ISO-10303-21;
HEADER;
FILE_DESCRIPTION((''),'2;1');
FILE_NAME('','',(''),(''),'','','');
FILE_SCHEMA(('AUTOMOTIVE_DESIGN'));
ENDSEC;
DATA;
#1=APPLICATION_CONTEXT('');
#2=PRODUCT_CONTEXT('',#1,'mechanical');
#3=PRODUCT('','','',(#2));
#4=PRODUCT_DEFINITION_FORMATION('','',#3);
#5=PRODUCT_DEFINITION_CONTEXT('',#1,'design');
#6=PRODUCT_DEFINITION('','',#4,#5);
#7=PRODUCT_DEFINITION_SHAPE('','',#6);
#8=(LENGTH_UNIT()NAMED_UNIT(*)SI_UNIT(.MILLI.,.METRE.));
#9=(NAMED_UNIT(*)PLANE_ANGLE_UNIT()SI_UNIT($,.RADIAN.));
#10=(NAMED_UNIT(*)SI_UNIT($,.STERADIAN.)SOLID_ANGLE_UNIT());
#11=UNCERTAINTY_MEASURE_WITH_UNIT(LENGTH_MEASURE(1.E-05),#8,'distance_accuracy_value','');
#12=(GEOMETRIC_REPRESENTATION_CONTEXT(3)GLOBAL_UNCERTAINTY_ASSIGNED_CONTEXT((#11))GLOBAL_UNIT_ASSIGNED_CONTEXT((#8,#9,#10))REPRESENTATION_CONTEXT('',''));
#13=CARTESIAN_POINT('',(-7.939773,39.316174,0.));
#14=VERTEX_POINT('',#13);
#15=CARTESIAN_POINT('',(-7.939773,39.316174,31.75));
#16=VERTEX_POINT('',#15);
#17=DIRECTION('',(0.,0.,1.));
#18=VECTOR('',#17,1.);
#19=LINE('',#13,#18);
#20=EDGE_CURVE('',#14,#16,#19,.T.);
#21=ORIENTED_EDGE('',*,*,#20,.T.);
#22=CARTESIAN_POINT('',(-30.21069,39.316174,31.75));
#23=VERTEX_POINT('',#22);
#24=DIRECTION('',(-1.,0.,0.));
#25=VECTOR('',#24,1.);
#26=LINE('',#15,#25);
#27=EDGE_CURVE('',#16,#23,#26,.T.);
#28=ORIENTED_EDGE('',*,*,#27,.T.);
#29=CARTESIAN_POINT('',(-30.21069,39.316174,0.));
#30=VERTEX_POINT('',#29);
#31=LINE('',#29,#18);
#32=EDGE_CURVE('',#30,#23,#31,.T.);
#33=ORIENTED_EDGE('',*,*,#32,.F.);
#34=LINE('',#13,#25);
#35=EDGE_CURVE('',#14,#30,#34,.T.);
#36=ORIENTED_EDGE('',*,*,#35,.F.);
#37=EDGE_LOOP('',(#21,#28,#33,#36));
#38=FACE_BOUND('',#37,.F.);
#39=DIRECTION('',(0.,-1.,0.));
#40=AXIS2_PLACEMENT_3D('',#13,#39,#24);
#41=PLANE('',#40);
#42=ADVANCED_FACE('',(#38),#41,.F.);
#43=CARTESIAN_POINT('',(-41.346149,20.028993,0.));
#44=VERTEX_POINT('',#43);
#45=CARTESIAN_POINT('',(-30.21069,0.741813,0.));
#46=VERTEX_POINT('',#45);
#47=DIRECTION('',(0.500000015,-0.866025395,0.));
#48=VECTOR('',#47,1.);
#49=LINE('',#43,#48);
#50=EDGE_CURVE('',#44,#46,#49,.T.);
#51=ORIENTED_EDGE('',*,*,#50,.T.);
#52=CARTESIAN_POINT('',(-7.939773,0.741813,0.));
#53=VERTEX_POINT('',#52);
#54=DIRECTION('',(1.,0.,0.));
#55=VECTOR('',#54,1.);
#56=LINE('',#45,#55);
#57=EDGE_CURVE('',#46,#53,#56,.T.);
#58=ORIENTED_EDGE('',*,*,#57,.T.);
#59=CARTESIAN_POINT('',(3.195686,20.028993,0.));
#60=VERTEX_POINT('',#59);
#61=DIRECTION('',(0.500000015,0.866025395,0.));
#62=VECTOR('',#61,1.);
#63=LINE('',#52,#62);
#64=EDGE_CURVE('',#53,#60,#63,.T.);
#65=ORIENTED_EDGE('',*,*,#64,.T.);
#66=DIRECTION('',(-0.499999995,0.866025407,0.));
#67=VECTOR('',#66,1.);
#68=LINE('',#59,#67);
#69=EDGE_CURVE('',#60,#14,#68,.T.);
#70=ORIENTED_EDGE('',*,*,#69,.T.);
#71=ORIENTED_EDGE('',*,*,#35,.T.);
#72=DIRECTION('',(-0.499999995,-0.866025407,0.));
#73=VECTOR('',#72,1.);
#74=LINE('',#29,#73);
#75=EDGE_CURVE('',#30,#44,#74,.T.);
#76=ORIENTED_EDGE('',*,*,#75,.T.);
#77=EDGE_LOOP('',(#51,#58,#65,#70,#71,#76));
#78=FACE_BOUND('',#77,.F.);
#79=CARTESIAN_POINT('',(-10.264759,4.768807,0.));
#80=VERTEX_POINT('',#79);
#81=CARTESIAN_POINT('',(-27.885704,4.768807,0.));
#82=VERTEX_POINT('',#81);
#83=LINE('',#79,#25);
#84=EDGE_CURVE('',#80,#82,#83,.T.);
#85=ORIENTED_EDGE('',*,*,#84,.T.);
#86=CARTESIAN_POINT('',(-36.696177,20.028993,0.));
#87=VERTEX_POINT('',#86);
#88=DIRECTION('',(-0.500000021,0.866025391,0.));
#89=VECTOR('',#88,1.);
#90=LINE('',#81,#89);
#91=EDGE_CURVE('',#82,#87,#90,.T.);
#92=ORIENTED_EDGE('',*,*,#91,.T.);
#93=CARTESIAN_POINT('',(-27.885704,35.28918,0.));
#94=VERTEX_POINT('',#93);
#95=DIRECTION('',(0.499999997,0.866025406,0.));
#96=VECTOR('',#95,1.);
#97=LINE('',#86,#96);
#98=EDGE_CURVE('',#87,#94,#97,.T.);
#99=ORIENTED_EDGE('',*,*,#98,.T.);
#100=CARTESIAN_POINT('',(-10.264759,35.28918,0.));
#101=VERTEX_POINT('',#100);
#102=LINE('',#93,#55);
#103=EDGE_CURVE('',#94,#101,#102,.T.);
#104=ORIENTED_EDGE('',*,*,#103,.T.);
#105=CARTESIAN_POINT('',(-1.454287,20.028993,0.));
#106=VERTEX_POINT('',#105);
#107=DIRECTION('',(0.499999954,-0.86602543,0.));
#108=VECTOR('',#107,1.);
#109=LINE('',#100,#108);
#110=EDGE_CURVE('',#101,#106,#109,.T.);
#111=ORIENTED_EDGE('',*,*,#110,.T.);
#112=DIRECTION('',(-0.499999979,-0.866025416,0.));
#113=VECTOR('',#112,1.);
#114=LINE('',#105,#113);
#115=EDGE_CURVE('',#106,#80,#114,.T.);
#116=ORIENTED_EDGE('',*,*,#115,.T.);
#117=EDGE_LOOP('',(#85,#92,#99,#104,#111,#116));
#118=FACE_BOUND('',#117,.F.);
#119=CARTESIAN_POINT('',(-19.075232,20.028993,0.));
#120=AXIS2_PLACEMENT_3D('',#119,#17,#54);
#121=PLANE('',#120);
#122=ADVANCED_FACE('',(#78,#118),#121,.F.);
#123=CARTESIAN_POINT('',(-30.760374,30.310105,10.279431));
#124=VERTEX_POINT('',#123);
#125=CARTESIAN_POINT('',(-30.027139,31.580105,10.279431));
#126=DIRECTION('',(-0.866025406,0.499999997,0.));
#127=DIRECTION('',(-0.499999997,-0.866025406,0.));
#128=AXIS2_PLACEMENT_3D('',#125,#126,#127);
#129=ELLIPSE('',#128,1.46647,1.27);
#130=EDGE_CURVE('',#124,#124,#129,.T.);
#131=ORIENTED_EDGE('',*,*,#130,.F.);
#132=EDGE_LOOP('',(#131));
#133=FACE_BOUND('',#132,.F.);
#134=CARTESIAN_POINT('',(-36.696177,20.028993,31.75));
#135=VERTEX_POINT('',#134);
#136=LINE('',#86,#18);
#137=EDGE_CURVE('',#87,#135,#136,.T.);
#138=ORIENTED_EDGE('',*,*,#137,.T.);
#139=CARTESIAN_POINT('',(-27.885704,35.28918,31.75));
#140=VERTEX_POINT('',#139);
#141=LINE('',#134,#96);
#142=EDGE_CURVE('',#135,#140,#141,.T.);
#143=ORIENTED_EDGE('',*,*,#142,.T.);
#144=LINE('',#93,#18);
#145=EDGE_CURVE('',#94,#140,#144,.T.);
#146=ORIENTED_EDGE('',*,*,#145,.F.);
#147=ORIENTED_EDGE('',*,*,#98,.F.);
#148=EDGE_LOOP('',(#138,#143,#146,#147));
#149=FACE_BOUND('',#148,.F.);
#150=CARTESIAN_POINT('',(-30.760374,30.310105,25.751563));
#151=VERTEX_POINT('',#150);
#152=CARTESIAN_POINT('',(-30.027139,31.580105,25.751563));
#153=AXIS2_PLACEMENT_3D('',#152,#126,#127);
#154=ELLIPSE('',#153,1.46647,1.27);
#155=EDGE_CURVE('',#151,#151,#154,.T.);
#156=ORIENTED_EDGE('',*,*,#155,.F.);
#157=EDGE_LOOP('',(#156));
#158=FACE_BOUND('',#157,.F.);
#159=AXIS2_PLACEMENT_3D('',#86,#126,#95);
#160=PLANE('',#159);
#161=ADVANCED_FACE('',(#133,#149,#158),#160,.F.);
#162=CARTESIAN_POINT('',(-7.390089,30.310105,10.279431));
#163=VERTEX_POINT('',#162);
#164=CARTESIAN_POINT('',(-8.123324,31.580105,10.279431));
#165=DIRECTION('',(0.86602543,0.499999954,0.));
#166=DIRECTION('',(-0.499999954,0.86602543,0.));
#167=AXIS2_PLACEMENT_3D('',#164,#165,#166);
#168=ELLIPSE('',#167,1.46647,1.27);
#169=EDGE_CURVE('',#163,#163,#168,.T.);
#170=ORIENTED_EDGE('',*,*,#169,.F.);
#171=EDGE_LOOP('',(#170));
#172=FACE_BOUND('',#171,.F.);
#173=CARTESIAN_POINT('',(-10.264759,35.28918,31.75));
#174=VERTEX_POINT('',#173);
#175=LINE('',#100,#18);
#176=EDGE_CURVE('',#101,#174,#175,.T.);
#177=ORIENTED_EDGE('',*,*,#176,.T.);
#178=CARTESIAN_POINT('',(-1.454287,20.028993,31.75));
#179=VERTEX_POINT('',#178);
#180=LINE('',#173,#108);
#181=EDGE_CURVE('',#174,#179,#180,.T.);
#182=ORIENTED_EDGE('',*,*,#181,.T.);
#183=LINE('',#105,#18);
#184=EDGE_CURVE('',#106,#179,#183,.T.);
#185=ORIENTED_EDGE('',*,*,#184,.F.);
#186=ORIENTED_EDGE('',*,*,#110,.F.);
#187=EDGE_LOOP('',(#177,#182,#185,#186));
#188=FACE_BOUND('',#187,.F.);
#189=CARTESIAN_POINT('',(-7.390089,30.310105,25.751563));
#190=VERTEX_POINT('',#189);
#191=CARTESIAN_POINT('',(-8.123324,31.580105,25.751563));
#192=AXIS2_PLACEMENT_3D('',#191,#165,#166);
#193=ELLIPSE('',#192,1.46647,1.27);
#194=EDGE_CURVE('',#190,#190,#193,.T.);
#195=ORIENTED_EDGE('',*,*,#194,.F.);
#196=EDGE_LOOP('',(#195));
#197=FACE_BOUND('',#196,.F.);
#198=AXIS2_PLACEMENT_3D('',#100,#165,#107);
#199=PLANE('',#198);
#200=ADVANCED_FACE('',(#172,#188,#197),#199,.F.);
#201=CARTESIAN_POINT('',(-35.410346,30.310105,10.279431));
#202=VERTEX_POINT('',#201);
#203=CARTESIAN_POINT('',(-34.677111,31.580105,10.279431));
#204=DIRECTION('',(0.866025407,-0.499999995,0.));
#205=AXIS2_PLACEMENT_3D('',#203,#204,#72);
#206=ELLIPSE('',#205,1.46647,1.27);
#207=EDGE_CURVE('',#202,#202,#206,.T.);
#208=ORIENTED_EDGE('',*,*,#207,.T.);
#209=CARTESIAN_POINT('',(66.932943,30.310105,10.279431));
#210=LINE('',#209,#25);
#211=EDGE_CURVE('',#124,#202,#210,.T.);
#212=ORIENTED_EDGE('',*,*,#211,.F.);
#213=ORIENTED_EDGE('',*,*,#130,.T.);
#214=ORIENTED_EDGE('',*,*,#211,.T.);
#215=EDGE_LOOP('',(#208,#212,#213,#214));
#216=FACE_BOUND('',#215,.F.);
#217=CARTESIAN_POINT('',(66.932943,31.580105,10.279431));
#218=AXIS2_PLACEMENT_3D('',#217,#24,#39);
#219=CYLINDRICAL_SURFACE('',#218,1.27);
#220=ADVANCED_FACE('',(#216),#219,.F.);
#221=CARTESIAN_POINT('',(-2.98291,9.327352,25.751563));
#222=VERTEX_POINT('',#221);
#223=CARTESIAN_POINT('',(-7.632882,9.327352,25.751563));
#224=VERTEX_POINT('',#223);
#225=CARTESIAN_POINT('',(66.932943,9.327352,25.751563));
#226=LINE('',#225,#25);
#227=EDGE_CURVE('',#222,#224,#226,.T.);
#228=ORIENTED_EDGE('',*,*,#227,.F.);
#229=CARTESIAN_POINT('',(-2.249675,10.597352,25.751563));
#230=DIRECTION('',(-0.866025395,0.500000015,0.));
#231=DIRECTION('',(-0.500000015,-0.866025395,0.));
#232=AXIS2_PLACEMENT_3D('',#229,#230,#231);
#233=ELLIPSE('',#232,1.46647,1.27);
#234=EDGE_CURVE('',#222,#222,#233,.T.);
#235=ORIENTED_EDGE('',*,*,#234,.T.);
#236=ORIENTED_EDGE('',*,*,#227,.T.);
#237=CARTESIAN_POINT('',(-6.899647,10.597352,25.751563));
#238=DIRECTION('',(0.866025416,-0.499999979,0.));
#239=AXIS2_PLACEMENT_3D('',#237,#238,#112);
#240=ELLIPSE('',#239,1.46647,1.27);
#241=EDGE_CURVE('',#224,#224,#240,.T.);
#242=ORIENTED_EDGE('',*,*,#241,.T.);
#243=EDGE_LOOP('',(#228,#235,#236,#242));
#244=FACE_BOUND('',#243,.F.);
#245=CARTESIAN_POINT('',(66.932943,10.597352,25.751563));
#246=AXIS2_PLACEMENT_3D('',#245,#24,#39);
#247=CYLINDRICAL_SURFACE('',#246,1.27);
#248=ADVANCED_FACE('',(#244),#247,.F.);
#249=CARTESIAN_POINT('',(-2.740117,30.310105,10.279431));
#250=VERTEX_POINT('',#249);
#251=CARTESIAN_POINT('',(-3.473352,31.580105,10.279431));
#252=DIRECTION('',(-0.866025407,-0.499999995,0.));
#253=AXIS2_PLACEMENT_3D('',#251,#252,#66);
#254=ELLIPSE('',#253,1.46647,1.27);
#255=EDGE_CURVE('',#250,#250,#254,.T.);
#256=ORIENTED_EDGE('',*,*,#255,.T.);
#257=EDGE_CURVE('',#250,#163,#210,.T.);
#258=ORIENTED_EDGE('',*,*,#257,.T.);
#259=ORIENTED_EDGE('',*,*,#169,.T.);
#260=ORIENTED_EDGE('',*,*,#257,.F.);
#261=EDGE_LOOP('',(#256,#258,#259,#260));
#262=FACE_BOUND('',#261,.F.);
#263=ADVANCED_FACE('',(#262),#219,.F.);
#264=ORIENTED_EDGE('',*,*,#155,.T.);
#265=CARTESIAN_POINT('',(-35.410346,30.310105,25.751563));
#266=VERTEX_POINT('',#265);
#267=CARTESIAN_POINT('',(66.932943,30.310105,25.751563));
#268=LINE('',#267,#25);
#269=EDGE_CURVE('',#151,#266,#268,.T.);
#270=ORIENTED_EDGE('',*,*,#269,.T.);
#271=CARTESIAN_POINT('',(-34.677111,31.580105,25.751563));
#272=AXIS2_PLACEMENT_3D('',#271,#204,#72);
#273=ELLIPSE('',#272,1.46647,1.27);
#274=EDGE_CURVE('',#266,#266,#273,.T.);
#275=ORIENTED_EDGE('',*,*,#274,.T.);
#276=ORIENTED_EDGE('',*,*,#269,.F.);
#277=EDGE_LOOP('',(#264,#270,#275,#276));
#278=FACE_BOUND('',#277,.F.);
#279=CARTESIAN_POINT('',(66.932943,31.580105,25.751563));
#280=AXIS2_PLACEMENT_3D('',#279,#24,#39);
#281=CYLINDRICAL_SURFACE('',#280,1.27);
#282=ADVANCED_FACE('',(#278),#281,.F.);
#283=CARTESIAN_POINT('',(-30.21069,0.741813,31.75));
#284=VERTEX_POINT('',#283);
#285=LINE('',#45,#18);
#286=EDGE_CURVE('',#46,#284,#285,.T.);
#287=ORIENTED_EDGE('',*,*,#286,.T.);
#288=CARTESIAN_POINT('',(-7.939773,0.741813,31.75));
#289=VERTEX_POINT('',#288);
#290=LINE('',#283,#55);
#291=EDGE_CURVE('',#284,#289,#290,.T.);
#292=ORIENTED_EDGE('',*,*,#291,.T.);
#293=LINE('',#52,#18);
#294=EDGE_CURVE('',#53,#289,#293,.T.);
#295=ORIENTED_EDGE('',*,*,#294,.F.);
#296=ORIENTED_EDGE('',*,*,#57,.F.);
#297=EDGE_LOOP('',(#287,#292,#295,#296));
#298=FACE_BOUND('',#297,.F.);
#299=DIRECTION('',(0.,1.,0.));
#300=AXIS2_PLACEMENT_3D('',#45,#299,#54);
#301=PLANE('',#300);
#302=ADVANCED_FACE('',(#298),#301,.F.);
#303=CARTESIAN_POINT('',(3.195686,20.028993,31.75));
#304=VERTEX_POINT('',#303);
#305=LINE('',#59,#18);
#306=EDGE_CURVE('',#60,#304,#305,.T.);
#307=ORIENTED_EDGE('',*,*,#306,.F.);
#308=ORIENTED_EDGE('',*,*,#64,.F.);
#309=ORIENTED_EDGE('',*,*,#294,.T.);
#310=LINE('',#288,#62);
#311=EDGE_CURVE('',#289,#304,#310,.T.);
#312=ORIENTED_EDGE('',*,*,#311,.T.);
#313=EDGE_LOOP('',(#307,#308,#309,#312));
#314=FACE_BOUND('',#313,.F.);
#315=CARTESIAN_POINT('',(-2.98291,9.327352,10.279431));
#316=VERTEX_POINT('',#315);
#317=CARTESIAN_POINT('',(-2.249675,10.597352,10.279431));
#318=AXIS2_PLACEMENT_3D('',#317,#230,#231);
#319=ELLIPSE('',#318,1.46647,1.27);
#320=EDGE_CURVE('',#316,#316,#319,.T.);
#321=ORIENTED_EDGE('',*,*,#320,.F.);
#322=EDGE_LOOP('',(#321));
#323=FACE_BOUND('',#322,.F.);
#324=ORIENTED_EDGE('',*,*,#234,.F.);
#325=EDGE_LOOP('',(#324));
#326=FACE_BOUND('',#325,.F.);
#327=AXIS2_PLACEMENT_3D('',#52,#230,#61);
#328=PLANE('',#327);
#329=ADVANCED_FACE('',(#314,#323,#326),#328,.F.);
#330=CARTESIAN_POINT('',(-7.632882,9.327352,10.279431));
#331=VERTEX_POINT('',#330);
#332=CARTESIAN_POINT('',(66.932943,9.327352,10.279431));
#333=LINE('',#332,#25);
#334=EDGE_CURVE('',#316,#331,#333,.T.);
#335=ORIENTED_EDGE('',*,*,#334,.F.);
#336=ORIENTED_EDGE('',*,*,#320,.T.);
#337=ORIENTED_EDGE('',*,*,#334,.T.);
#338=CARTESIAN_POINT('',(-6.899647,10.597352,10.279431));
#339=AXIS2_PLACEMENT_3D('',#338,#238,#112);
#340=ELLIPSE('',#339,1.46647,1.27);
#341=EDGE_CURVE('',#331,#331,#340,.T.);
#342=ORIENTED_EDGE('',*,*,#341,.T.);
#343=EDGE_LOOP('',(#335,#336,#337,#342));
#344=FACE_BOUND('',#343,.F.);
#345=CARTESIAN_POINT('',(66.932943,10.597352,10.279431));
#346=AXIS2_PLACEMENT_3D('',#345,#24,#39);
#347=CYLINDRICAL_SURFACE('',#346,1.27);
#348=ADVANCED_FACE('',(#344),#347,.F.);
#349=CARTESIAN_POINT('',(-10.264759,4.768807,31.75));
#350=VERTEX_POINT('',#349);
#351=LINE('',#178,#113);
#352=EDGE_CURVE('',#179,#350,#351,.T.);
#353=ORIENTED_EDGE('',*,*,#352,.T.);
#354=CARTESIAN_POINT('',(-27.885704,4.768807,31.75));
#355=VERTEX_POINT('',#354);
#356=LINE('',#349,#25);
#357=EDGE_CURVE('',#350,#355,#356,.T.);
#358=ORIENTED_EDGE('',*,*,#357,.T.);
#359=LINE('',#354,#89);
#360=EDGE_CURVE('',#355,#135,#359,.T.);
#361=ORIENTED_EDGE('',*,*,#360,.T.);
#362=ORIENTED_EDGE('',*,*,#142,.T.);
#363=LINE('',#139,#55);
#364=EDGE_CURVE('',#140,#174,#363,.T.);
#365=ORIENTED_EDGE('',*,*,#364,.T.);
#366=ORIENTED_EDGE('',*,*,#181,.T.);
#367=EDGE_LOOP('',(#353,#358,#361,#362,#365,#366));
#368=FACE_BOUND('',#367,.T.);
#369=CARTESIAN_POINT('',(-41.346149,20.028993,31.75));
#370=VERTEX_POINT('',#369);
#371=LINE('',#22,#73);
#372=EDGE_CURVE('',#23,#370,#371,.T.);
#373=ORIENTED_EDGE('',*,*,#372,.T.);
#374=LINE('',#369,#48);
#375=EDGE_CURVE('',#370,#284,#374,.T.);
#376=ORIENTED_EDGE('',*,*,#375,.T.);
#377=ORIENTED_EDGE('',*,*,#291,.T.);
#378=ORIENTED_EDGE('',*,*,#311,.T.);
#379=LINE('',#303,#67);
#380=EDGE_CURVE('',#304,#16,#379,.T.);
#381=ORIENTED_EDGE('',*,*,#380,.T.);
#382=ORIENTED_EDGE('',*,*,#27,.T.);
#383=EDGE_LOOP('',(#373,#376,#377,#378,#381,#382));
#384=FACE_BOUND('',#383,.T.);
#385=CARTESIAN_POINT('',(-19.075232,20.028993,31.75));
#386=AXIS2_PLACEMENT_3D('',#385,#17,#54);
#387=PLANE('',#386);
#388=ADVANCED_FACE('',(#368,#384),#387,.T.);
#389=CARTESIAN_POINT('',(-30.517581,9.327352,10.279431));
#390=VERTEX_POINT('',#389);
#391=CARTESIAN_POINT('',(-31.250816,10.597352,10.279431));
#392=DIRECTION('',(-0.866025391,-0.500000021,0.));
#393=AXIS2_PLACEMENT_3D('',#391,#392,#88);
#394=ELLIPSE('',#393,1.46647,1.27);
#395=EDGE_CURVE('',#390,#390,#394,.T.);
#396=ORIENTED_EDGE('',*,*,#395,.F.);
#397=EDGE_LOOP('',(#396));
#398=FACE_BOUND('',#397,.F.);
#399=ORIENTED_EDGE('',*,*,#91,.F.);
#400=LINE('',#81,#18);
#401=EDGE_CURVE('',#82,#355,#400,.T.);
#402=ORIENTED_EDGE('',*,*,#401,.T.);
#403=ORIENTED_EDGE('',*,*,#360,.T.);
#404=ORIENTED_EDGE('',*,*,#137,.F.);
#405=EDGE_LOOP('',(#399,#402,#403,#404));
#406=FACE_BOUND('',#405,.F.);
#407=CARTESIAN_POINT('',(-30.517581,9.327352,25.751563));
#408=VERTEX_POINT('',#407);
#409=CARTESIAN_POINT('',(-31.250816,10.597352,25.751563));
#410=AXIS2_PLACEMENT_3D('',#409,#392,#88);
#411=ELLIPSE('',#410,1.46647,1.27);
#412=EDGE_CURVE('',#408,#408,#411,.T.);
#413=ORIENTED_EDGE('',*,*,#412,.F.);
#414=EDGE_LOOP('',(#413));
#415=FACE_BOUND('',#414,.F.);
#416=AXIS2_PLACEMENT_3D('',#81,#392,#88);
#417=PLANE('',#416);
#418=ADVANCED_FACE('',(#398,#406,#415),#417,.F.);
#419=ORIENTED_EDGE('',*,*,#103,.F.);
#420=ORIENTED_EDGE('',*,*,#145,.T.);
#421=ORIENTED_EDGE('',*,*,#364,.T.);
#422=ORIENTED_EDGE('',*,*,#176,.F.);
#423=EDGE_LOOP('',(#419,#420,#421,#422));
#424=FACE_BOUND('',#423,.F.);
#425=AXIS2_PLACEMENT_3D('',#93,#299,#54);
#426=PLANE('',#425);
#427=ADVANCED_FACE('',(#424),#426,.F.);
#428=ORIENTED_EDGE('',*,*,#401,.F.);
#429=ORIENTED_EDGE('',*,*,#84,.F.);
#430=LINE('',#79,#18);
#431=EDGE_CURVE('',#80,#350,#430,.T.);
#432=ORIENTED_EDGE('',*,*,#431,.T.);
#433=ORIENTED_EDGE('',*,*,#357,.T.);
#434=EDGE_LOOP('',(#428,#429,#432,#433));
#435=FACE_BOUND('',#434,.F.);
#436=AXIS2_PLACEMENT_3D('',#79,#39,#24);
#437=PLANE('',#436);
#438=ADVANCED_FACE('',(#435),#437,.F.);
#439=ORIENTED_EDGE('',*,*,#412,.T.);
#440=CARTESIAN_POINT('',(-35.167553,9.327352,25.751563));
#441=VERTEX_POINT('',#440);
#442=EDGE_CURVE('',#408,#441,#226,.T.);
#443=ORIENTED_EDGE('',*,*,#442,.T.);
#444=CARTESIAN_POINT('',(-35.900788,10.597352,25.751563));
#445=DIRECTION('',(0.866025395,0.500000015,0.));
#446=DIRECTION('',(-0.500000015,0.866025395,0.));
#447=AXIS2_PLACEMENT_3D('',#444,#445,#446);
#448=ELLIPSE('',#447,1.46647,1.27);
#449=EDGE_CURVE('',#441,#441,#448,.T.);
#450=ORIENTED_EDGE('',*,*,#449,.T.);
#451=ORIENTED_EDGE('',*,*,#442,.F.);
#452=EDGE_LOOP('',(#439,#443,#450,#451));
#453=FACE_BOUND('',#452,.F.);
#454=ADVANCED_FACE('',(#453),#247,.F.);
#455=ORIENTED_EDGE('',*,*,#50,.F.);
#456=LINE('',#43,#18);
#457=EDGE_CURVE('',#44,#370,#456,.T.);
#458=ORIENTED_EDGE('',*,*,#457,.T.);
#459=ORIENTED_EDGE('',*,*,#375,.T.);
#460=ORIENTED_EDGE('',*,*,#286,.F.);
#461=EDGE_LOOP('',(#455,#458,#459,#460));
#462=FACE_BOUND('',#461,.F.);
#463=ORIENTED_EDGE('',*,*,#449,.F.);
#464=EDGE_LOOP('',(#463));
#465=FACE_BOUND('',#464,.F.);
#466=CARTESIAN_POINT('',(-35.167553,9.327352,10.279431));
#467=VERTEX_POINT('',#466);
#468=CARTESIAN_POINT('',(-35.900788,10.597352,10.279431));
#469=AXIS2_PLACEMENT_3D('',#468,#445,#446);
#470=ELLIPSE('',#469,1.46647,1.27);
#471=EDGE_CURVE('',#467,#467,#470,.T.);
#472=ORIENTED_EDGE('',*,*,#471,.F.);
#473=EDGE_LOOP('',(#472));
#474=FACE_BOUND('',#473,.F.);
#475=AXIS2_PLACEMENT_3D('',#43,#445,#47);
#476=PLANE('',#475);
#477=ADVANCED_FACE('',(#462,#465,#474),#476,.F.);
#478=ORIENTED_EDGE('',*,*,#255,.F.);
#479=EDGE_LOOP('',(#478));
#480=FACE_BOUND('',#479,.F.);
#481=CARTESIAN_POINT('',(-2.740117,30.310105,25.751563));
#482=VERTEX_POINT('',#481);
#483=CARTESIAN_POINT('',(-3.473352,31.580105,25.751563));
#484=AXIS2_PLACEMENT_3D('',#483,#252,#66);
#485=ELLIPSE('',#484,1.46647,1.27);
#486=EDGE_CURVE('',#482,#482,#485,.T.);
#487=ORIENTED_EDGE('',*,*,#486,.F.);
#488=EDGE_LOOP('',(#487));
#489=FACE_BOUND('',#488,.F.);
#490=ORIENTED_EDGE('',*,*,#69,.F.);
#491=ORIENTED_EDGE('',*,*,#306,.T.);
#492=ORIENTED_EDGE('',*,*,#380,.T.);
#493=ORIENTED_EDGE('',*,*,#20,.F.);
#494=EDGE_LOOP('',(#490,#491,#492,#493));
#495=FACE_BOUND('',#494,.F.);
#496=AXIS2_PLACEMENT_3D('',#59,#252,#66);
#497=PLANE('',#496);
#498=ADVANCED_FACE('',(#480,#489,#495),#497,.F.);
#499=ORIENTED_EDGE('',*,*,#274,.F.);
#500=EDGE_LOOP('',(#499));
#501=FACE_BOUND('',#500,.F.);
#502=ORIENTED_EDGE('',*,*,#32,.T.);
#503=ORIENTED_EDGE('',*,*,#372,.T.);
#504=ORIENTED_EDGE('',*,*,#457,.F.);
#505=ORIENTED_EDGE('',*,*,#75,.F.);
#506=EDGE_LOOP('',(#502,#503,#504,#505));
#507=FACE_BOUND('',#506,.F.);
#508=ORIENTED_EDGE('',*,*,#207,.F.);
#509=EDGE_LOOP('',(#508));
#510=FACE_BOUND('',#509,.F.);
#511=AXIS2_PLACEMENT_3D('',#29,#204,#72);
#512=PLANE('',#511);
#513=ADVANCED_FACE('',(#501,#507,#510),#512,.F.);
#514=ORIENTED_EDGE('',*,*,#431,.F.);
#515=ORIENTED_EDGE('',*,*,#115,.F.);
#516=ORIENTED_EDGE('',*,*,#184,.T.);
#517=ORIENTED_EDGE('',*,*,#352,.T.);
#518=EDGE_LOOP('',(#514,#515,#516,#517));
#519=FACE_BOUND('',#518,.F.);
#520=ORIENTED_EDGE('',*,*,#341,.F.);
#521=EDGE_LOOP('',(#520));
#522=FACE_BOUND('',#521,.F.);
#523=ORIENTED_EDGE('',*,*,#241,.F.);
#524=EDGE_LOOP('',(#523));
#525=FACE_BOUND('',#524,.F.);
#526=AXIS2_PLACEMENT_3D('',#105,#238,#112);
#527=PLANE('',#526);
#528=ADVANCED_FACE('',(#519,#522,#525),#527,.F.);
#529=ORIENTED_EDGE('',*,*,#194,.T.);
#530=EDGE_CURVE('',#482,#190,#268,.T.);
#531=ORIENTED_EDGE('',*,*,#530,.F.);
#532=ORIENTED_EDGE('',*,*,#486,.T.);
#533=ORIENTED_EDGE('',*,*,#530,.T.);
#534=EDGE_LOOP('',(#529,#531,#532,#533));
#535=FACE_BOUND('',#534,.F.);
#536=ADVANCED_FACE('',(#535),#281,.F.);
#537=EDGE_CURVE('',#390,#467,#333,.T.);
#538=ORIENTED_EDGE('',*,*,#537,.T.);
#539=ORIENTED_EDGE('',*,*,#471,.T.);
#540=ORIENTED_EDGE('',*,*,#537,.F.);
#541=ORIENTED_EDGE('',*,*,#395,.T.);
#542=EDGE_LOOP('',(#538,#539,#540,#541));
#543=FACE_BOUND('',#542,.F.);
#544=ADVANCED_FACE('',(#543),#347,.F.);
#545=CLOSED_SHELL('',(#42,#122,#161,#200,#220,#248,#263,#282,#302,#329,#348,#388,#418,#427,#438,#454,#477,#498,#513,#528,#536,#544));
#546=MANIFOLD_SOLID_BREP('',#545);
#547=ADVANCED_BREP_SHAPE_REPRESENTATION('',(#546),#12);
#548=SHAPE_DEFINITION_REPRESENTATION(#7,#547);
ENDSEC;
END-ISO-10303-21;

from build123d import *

# Parameters (mm, degrees)
F1_DEPTH = 31.75
F3_D     = 2.54


with BuildPart() as f1:
    # F0 (on Top) → F1 (new body)
    with BuildSketch(Plane.XY):
        Polygon((-7.939773, 39.316174), (-30.21069, 39.316174), (-41.346149, 20.028993), (-30.21069, 0.741813), (-7.939773, 0.741813), (3.195686, 20.028993), align=None)
        Polygon((-36.696177, 20.028993), (-27.885704, 35.28918), (-10.264759, 35.28918), (-1.454287, 20.028993), (-10.264759, 4.768807), (-27.885704, 4.768807), align=None, mode=Mode.SUBTRACT)
    extrude(amount=F1_DEPTH)

    # F3 (through all)
    with Locations(Plane.YZ):
        with Locations((10.597352, 25.751563), (31.580105, 25.751563), (31.580105, 10.279431), (10.597352, 10.279431)):
            Hole(F3_D / 2)


solid = f1.part
